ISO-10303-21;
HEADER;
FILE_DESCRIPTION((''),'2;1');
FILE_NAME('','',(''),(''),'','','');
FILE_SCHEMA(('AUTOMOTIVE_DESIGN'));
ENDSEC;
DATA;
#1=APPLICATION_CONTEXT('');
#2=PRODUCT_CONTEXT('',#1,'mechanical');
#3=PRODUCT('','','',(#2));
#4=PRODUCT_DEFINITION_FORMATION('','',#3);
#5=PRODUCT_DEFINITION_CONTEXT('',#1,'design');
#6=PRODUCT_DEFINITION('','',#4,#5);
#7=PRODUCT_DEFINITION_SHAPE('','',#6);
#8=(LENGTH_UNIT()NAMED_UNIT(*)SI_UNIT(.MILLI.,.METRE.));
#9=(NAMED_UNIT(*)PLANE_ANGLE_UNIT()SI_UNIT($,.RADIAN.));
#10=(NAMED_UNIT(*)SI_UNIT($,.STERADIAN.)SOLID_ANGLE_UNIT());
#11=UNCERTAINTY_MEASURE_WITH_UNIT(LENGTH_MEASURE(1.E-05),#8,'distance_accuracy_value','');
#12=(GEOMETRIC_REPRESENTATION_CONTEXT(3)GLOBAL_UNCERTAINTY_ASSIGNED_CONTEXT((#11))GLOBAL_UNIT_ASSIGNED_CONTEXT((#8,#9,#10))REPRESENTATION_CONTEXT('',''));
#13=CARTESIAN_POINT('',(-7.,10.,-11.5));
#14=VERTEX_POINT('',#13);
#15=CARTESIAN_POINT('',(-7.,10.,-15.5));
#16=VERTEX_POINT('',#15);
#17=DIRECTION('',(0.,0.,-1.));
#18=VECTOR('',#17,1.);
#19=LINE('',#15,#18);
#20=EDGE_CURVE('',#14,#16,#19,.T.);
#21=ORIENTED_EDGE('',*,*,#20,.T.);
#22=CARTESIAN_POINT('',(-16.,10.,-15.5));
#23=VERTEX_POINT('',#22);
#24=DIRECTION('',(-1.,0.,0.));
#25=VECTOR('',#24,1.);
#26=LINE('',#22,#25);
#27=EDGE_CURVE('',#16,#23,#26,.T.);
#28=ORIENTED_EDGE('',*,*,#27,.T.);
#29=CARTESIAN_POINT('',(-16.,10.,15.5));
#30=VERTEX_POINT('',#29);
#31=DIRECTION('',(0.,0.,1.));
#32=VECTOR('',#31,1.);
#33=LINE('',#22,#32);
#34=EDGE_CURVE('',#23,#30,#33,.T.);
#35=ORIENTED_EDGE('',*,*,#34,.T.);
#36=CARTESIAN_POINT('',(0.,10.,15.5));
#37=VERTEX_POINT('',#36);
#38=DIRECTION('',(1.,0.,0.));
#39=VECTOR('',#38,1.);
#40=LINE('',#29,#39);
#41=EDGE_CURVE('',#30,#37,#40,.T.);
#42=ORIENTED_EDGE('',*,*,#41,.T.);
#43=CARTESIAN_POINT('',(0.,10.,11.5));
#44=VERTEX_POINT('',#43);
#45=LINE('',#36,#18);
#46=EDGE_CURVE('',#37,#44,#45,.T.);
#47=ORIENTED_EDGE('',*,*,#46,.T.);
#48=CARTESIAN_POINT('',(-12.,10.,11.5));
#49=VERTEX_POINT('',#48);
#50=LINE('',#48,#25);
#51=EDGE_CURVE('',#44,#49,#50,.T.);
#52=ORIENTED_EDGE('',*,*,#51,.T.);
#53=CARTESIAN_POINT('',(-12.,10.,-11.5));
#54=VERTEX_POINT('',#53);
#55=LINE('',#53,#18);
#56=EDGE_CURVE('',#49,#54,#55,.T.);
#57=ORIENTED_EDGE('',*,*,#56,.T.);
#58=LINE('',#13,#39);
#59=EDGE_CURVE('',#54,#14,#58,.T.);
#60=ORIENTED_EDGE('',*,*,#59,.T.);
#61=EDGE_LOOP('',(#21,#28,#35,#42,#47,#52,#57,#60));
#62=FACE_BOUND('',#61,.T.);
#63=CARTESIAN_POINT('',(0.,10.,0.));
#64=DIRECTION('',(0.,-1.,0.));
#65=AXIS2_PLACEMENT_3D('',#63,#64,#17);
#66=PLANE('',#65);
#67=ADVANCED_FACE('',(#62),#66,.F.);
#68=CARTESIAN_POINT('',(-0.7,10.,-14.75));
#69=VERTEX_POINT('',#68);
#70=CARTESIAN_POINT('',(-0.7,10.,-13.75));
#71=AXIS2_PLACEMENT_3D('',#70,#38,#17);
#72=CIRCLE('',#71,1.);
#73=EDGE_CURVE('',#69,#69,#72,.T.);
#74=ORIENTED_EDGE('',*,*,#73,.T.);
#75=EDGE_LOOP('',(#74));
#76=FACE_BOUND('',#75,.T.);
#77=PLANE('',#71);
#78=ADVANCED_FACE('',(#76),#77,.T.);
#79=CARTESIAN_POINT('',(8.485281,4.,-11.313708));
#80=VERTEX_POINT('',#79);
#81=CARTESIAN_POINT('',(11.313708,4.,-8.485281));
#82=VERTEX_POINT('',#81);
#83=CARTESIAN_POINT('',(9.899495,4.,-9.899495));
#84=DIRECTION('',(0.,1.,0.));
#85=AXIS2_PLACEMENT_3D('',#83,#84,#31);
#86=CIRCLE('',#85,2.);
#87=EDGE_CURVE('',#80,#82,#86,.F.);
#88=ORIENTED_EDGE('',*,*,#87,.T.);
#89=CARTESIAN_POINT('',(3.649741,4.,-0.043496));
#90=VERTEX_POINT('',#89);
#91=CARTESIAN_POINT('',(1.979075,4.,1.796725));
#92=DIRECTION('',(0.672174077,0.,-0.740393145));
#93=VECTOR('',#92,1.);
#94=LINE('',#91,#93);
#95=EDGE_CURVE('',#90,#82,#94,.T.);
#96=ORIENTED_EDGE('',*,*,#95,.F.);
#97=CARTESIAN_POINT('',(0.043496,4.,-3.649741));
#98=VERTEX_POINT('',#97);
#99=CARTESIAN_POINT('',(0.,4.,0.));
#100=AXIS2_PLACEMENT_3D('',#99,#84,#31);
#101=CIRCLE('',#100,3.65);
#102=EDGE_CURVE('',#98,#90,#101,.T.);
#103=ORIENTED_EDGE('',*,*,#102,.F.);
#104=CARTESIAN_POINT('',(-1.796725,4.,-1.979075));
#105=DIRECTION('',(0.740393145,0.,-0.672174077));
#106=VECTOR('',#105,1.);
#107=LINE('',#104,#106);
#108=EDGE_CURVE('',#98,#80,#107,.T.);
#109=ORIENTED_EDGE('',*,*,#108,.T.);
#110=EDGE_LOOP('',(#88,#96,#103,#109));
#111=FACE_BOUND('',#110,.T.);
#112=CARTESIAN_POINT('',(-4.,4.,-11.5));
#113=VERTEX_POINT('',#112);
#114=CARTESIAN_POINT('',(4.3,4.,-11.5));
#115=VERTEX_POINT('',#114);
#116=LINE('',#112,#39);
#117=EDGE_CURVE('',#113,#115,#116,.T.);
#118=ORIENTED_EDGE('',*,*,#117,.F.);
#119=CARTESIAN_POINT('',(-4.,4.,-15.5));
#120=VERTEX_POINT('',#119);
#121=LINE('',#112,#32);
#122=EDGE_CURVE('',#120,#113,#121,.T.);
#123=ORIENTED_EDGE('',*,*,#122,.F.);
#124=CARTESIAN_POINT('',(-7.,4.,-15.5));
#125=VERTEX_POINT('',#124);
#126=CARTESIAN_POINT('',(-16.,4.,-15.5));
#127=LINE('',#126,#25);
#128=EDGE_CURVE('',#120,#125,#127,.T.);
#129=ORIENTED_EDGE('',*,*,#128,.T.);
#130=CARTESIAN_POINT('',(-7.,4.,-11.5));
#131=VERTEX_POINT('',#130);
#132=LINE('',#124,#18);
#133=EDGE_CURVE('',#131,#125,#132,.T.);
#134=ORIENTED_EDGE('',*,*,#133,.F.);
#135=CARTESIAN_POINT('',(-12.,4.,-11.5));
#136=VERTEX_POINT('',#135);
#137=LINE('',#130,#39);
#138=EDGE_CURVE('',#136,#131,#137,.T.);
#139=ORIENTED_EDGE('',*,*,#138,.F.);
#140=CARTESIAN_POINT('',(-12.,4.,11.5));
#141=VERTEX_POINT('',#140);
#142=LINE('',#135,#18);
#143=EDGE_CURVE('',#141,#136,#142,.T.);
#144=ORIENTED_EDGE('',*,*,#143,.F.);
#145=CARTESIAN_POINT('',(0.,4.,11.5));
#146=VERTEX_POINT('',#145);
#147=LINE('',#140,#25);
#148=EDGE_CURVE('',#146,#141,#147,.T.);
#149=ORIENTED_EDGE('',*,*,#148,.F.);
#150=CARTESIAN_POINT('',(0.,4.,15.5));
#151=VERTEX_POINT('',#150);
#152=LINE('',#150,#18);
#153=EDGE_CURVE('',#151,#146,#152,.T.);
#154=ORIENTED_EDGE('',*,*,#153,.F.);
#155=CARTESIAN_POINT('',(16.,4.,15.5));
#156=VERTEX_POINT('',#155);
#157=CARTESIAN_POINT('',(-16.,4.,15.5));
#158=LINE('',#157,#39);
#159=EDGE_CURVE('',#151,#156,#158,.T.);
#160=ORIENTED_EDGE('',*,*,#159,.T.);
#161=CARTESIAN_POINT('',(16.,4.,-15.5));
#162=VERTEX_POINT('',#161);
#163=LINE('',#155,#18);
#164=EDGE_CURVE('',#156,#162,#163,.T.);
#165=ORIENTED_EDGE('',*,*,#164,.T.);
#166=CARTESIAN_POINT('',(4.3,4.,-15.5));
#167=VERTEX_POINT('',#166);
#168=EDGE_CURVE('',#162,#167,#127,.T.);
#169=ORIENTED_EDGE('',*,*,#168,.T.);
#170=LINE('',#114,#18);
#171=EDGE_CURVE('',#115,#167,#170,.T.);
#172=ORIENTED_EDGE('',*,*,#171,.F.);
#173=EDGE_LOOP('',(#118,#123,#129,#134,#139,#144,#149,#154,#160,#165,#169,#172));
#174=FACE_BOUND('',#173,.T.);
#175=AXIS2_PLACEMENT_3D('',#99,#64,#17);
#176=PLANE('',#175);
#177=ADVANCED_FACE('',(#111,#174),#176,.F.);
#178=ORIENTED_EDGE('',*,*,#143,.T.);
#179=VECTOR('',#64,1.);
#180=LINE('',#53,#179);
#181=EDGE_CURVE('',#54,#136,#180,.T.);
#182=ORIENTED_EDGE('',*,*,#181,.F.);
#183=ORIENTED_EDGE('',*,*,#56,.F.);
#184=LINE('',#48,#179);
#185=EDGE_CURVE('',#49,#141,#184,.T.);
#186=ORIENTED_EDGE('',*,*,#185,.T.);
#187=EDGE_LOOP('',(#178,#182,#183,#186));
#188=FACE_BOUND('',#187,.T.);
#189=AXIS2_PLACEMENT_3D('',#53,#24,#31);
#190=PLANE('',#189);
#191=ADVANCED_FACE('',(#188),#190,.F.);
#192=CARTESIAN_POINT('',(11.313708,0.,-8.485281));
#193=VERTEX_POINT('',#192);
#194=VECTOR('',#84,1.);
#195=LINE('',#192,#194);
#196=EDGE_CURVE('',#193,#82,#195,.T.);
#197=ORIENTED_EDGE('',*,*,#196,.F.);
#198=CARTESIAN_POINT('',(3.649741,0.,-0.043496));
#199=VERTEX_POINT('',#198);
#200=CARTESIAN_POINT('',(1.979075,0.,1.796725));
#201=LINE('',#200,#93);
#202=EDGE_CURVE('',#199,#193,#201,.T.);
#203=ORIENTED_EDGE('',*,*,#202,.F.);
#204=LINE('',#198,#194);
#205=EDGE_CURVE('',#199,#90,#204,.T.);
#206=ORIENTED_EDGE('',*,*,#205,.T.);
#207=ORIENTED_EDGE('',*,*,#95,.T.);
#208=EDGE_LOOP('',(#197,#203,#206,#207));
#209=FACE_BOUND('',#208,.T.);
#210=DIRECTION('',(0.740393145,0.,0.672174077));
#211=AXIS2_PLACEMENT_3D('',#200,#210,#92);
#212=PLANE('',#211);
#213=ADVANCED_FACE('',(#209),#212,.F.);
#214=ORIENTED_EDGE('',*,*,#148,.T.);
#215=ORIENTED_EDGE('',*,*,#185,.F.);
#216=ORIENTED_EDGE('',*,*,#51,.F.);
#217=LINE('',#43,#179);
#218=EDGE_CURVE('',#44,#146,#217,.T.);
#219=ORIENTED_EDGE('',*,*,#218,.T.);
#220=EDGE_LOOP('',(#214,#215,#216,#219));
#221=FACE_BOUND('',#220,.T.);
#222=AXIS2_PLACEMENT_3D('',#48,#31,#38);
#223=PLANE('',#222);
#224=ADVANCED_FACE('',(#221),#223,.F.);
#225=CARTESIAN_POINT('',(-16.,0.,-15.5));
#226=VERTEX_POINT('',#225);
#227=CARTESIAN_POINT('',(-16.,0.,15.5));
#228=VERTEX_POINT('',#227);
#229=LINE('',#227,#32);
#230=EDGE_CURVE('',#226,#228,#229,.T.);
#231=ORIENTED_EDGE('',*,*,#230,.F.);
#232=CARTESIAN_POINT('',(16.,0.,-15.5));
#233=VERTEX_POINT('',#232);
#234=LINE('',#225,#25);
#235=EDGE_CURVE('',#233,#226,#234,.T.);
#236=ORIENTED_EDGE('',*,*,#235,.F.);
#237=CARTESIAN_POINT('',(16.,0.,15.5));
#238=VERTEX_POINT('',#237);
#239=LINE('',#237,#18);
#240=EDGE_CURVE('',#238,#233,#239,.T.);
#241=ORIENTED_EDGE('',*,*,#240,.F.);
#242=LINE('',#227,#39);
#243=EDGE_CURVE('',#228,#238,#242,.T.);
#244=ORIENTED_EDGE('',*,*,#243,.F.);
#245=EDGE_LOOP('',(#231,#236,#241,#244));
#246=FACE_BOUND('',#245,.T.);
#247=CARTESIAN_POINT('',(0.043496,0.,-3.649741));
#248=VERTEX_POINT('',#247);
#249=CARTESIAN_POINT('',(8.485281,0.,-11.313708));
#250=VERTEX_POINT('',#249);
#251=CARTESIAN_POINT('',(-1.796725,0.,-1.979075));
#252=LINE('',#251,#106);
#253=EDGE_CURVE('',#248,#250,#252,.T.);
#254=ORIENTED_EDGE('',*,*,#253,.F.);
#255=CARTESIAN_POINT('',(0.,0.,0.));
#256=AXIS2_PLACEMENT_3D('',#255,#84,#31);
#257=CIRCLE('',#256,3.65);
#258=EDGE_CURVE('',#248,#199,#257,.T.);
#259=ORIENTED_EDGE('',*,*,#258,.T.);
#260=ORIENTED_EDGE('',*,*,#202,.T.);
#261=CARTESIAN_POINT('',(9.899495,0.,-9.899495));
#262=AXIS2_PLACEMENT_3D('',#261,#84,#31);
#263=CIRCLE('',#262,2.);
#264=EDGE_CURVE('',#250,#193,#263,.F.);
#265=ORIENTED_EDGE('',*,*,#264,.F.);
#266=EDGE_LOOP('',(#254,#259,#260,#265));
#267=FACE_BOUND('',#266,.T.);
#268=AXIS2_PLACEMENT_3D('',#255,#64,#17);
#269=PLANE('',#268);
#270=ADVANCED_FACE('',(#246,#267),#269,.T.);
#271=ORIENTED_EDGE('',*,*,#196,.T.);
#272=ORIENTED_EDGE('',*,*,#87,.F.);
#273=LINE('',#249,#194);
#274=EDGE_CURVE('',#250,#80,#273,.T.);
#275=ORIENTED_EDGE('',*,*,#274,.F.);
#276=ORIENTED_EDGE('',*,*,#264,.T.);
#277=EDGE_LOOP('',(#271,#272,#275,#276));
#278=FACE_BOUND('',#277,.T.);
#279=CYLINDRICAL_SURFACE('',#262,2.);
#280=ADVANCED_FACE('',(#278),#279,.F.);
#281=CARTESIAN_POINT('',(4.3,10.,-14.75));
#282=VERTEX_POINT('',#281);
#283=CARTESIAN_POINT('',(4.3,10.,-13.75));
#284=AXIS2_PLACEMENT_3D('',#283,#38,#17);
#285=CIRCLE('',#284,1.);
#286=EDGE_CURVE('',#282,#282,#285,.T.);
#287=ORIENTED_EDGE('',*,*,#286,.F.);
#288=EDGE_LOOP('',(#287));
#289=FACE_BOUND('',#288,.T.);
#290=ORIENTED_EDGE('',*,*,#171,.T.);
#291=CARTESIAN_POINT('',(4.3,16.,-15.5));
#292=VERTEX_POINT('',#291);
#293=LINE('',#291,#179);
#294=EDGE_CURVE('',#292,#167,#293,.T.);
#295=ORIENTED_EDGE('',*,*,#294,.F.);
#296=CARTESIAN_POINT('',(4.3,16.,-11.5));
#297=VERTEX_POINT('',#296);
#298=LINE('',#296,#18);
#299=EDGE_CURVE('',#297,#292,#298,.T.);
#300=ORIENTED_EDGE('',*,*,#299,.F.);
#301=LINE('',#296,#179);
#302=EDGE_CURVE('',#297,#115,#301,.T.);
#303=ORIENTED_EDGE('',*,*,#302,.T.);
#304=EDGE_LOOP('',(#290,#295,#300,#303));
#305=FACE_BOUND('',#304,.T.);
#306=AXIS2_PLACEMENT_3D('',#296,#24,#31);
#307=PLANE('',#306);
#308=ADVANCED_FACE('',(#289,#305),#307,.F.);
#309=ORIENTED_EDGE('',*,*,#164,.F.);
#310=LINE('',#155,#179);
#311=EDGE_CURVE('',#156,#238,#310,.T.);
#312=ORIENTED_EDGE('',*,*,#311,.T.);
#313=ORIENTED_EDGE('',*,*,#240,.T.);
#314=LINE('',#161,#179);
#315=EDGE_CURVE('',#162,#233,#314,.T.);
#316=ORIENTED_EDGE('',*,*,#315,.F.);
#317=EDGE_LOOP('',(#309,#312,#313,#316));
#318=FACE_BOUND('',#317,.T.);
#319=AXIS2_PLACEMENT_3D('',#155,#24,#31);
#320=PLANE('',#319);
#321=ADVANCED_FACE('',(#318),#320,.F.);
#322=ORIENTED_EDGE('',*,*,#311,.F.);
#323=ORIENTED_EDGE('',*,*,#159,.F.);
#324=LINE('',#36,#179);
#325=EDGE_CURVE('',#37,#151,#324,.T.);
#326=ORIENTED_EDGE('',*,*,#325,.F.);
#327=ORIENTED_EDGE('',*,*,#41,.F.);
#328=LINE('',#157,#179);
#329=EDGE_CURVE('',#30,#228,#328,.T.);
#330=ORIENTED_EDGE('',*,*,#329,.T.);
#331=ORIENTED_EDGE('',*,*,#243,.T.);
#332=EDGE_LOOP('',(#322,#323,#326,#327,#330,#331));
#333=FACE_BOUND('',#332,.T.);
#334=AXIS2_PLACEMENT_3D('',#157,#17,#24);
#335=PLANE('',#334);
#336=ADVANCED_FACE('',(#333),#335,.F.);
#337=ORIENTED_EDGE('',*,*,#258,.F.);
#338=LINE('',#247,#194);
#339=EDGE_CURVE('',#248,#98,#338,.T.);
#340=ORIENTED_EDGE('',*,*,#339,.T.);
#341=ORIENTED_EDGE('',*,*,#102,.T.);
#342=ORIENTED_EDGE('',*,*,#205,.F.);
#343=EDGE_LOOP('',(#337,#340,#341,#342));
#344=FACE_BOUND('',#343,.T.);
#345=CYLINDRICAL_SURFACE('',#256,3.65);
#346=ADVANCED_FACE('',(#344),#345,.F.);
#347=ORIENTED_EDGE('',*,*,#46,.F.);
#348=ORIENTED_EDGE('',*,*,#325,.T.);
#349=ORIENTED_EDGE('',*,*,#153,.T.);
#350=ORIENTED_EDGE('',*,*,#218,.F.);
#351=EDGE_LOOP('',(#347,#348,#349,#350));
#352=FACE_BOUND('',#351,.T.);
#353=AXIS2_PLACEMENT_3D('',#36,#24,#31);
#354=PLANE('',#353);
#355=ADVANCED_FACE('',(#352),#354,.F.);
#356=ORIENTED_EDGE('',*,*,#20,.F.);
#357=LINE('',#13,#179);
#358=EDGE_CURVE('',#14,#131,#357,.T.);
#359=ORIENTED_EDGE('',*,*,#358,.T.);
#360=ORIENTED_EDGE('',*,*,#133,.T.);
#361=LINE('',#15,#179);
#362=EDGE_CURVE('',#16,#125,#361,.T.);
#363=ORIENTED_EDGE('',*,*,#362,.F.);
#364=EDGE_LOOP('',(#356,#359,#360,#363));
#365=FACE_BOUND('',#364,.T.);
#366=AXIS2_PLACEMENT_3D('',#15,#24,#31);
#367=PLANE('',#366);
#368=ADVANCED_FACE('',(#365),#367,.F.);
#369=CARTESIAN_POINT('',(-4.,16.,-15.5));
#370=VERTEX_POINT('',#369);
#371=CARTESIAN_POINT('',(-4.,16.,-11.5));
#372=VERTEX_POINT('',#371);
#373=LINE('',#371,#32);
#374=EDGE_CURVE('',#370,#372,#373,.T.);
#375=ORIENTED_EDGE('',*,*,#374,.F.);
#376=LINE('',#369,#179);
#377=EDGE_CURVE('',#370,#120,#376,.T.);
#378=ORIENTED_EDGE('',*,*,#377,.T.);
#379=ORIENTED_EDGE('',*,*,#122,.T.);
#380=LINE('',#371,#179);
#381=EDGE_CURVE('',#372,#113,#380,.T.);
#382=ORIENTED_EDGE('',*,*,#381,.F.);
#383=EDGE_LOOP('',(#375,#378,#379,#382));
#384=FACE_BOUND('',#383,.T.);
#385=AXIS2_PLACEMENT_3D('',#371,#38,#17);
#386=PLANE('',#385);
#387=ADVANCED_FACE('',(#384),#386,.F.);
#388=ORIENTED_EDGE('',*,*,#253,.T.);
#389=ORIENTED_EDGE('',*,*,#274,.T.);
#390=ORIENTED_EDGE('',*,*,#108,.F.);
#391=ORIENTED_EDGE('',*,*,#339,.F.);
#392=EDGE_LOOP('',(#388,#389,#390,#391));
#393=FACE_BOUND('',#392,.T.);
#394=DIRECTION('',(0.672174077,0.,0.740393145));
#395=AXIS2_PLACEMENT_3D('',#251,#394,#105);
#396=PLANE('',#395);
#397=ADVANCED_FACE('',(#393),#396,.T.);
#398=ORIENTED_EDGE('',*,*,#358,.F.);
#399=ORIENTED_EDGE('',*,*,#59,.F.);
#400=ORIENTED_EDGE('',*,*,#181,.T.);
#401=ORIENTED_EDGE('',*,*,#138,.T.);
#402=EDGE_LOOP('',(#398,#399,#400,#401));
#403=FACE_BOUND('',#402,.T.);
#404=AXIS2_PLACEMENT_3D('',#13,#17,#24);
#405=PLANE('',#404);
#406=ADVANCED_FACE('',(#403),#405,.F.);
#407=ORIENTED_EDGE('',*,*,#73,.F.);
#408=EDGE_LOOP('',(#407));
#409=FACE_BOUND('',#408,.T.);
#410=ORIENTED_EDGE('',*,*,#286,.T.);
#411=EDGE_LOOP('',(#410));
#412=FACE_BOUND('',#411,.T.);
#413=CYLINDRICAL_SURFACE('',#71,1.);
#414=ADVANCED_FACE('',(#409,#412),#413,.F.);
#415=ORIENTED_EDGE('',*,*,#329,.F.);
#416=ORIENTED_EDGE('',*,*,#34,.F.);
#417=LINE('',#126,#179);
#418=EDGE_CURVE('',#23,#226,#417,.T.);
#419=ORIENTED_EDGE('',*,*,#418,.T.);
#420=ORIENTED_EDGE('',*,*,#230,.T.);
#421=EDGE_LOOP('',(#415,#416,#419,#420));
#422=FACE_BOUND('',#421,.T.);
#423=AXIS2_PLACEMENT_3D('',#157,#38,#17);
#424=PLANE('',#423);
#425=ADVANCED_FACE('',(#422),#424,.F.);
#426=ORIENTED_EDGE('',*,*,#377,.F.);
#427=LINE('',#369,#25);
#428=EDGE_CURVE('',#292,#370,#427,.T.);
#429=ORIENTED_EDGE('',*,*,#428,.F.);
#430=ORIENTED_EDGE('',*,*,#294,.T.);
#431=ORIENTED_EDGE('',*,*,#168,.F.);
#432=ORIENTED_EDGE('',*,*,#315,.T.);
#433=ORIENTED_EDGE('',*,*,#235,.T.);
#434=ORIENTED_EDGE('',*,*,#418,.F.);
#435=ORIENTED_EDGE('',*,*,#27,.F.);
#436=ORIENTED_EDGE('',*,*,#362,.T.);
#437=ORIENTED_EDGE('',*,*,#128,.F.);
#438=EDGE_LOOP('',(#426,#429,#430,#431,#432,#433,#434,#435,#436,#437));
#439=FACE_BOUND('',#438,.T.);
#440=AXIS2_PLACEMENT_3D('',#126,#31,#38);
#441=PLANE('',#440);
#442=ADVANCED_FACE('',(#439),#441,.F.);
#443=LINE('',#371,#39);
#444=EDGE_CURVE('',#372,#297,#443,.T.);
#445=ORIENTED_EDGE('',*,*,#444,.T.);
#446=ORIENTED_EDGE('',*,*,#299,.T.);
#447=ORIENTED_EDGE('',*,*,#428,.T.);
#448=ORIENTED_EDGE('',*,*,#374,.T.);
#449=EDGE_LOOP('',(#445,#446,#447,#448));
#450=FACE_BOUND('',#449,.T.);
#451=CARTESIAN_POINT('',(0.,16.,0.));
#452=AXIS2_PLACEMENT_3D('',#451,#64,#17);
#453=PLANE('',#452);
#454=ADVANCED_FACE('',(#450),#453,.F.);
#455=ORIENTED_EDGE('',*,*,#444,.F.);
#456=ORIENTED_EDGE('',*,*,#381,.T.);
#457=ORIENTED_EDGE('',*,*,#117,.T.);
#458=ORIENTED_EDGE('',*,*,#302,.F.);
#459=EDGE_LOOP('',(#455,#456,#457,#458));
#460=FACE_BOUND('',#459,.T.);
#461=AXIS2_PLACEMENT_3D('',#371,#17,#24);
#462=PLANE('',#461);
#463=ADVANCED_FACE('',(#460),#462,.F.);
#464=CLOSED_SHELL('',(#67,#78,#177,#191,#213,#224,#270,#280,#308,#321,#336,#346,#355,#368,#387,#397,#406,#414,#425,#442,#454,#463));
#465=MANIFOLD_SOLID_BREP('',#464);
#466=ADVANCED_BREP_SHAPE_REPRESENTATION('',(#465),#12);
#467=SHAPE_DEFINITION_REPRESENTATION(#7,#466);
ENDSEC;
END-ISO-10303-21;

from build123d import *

# Parameters (mm, degrees)
SKETCH1_W           = 32
SKETCH1_H           = 31
BOSS_EXTRUDE1_DEPTH = 4
BOSS_EXTRUDE2_DEPTH = 6
SKETCH5_W           = 8.3
SKETCH5_H           = 4
BOSS_EXTRUDE3_DEPTH = 12
SKETCH6_R           = 1
CUT_EXTRUDE7_DEPTH  = 5
CUT_EXTRUDE6_DEPTH  = 4


with BuildPart() as part:
    # Sketch1 → Boss-Extrude1 (new body)
    with BuildSketch(Plane(origin=(0, 0, 0), x_dir=(1, 0, 0), z_dir=(0, 1, 0))):
        Rectangle(SKETCH1_W, SKETCH1_H)
    extrude(amount=BOSS_EXTRUDE1_DEPTH)

    # Sketch2 → Boss-Extrude2 (add)
    with BuildSketch(Plane(origin=(0, 4, 0), x_dir=(1, 0, 0), z_dir=(0, 1, 0))):
        Polygon((-16, 15.5), (-16, -15.5), (0, -15.5), (0, -11.5), (-12, -11.5), (-12, 11.5), (-7, 11.5), (-7, 15.5), align=None)
    extrude(amount=BOSS_EXTRUDE2_DEPTH)

    # Sketch5 → Boss-Extrude3 (add)
    with BuildSketch(Plane(origin=(0, 4, 0), x_dir=(1, 0, 0), z_dir=(0, 1, 0))):
        with Locations((0.15, 13.5)):
            Rectangle(SKETCH5_W, SKETCH5_H)
    extrude(amount=BOSS_EXTRUDE3_DEPTH)

    # Sketch6 → Cut-Extrude7 (cut)
    with BuildSketch(Plane(origin=(4.3, 0, 0), x_dir=(0, 0, -1), z_dir=(1, 0, 0))):
        with Locations((13.75, 10)):
            Circle(SKETCH6_R)
    extrude(amount=-CUT_EXTRUDE7_DEPTH, mode=Mode.SUBTRACT)

    # Sketch4 → Cut-Extrude6 (cut)
    with BuildSketch(Plane(origin=(0, 4, 0), x_dir=(0.7071067811864886, 0, -0.7071067811866065), z_dir=(0, 1, 0))):
        with BuildLine():
            Line((14, 2), (2.611512971, 2.55))
            ThreePointArc((2.611512971, 2.55), (3.380423224, 1.376676733), (3.65, 0))
            ThreePointArc((3.65, 0), (3.380423224, -1.376676733), (2.611512971, -2.55))
            Line((2.611512971, -2.55), (14, -2))
            ThreePointArc((14, -2), (15.414213562, -1.414213562), (16, 0))
            ThreePointArc((16, 0), (15.414213562, 1.414213562), (14, 2))
        make_face()
        with BuildLine():
            ThreePointArc((3.65, 0), (3.380423224, 1.376676733), (2.611512971, 2.55))
            ThreePointArc((2.611512971, 2.55), (-3.65, 0), (2.611512971, -2.55))
            ThreePointArc((2.611512971, -2.55), (3.380423224, -1.376676733), (3.65, 0))
        make_face()
    extrude(amount=-CUT_EXTRUDE6_DEPTH, mode=Mode.SUBTRACT)


solid = part.part
